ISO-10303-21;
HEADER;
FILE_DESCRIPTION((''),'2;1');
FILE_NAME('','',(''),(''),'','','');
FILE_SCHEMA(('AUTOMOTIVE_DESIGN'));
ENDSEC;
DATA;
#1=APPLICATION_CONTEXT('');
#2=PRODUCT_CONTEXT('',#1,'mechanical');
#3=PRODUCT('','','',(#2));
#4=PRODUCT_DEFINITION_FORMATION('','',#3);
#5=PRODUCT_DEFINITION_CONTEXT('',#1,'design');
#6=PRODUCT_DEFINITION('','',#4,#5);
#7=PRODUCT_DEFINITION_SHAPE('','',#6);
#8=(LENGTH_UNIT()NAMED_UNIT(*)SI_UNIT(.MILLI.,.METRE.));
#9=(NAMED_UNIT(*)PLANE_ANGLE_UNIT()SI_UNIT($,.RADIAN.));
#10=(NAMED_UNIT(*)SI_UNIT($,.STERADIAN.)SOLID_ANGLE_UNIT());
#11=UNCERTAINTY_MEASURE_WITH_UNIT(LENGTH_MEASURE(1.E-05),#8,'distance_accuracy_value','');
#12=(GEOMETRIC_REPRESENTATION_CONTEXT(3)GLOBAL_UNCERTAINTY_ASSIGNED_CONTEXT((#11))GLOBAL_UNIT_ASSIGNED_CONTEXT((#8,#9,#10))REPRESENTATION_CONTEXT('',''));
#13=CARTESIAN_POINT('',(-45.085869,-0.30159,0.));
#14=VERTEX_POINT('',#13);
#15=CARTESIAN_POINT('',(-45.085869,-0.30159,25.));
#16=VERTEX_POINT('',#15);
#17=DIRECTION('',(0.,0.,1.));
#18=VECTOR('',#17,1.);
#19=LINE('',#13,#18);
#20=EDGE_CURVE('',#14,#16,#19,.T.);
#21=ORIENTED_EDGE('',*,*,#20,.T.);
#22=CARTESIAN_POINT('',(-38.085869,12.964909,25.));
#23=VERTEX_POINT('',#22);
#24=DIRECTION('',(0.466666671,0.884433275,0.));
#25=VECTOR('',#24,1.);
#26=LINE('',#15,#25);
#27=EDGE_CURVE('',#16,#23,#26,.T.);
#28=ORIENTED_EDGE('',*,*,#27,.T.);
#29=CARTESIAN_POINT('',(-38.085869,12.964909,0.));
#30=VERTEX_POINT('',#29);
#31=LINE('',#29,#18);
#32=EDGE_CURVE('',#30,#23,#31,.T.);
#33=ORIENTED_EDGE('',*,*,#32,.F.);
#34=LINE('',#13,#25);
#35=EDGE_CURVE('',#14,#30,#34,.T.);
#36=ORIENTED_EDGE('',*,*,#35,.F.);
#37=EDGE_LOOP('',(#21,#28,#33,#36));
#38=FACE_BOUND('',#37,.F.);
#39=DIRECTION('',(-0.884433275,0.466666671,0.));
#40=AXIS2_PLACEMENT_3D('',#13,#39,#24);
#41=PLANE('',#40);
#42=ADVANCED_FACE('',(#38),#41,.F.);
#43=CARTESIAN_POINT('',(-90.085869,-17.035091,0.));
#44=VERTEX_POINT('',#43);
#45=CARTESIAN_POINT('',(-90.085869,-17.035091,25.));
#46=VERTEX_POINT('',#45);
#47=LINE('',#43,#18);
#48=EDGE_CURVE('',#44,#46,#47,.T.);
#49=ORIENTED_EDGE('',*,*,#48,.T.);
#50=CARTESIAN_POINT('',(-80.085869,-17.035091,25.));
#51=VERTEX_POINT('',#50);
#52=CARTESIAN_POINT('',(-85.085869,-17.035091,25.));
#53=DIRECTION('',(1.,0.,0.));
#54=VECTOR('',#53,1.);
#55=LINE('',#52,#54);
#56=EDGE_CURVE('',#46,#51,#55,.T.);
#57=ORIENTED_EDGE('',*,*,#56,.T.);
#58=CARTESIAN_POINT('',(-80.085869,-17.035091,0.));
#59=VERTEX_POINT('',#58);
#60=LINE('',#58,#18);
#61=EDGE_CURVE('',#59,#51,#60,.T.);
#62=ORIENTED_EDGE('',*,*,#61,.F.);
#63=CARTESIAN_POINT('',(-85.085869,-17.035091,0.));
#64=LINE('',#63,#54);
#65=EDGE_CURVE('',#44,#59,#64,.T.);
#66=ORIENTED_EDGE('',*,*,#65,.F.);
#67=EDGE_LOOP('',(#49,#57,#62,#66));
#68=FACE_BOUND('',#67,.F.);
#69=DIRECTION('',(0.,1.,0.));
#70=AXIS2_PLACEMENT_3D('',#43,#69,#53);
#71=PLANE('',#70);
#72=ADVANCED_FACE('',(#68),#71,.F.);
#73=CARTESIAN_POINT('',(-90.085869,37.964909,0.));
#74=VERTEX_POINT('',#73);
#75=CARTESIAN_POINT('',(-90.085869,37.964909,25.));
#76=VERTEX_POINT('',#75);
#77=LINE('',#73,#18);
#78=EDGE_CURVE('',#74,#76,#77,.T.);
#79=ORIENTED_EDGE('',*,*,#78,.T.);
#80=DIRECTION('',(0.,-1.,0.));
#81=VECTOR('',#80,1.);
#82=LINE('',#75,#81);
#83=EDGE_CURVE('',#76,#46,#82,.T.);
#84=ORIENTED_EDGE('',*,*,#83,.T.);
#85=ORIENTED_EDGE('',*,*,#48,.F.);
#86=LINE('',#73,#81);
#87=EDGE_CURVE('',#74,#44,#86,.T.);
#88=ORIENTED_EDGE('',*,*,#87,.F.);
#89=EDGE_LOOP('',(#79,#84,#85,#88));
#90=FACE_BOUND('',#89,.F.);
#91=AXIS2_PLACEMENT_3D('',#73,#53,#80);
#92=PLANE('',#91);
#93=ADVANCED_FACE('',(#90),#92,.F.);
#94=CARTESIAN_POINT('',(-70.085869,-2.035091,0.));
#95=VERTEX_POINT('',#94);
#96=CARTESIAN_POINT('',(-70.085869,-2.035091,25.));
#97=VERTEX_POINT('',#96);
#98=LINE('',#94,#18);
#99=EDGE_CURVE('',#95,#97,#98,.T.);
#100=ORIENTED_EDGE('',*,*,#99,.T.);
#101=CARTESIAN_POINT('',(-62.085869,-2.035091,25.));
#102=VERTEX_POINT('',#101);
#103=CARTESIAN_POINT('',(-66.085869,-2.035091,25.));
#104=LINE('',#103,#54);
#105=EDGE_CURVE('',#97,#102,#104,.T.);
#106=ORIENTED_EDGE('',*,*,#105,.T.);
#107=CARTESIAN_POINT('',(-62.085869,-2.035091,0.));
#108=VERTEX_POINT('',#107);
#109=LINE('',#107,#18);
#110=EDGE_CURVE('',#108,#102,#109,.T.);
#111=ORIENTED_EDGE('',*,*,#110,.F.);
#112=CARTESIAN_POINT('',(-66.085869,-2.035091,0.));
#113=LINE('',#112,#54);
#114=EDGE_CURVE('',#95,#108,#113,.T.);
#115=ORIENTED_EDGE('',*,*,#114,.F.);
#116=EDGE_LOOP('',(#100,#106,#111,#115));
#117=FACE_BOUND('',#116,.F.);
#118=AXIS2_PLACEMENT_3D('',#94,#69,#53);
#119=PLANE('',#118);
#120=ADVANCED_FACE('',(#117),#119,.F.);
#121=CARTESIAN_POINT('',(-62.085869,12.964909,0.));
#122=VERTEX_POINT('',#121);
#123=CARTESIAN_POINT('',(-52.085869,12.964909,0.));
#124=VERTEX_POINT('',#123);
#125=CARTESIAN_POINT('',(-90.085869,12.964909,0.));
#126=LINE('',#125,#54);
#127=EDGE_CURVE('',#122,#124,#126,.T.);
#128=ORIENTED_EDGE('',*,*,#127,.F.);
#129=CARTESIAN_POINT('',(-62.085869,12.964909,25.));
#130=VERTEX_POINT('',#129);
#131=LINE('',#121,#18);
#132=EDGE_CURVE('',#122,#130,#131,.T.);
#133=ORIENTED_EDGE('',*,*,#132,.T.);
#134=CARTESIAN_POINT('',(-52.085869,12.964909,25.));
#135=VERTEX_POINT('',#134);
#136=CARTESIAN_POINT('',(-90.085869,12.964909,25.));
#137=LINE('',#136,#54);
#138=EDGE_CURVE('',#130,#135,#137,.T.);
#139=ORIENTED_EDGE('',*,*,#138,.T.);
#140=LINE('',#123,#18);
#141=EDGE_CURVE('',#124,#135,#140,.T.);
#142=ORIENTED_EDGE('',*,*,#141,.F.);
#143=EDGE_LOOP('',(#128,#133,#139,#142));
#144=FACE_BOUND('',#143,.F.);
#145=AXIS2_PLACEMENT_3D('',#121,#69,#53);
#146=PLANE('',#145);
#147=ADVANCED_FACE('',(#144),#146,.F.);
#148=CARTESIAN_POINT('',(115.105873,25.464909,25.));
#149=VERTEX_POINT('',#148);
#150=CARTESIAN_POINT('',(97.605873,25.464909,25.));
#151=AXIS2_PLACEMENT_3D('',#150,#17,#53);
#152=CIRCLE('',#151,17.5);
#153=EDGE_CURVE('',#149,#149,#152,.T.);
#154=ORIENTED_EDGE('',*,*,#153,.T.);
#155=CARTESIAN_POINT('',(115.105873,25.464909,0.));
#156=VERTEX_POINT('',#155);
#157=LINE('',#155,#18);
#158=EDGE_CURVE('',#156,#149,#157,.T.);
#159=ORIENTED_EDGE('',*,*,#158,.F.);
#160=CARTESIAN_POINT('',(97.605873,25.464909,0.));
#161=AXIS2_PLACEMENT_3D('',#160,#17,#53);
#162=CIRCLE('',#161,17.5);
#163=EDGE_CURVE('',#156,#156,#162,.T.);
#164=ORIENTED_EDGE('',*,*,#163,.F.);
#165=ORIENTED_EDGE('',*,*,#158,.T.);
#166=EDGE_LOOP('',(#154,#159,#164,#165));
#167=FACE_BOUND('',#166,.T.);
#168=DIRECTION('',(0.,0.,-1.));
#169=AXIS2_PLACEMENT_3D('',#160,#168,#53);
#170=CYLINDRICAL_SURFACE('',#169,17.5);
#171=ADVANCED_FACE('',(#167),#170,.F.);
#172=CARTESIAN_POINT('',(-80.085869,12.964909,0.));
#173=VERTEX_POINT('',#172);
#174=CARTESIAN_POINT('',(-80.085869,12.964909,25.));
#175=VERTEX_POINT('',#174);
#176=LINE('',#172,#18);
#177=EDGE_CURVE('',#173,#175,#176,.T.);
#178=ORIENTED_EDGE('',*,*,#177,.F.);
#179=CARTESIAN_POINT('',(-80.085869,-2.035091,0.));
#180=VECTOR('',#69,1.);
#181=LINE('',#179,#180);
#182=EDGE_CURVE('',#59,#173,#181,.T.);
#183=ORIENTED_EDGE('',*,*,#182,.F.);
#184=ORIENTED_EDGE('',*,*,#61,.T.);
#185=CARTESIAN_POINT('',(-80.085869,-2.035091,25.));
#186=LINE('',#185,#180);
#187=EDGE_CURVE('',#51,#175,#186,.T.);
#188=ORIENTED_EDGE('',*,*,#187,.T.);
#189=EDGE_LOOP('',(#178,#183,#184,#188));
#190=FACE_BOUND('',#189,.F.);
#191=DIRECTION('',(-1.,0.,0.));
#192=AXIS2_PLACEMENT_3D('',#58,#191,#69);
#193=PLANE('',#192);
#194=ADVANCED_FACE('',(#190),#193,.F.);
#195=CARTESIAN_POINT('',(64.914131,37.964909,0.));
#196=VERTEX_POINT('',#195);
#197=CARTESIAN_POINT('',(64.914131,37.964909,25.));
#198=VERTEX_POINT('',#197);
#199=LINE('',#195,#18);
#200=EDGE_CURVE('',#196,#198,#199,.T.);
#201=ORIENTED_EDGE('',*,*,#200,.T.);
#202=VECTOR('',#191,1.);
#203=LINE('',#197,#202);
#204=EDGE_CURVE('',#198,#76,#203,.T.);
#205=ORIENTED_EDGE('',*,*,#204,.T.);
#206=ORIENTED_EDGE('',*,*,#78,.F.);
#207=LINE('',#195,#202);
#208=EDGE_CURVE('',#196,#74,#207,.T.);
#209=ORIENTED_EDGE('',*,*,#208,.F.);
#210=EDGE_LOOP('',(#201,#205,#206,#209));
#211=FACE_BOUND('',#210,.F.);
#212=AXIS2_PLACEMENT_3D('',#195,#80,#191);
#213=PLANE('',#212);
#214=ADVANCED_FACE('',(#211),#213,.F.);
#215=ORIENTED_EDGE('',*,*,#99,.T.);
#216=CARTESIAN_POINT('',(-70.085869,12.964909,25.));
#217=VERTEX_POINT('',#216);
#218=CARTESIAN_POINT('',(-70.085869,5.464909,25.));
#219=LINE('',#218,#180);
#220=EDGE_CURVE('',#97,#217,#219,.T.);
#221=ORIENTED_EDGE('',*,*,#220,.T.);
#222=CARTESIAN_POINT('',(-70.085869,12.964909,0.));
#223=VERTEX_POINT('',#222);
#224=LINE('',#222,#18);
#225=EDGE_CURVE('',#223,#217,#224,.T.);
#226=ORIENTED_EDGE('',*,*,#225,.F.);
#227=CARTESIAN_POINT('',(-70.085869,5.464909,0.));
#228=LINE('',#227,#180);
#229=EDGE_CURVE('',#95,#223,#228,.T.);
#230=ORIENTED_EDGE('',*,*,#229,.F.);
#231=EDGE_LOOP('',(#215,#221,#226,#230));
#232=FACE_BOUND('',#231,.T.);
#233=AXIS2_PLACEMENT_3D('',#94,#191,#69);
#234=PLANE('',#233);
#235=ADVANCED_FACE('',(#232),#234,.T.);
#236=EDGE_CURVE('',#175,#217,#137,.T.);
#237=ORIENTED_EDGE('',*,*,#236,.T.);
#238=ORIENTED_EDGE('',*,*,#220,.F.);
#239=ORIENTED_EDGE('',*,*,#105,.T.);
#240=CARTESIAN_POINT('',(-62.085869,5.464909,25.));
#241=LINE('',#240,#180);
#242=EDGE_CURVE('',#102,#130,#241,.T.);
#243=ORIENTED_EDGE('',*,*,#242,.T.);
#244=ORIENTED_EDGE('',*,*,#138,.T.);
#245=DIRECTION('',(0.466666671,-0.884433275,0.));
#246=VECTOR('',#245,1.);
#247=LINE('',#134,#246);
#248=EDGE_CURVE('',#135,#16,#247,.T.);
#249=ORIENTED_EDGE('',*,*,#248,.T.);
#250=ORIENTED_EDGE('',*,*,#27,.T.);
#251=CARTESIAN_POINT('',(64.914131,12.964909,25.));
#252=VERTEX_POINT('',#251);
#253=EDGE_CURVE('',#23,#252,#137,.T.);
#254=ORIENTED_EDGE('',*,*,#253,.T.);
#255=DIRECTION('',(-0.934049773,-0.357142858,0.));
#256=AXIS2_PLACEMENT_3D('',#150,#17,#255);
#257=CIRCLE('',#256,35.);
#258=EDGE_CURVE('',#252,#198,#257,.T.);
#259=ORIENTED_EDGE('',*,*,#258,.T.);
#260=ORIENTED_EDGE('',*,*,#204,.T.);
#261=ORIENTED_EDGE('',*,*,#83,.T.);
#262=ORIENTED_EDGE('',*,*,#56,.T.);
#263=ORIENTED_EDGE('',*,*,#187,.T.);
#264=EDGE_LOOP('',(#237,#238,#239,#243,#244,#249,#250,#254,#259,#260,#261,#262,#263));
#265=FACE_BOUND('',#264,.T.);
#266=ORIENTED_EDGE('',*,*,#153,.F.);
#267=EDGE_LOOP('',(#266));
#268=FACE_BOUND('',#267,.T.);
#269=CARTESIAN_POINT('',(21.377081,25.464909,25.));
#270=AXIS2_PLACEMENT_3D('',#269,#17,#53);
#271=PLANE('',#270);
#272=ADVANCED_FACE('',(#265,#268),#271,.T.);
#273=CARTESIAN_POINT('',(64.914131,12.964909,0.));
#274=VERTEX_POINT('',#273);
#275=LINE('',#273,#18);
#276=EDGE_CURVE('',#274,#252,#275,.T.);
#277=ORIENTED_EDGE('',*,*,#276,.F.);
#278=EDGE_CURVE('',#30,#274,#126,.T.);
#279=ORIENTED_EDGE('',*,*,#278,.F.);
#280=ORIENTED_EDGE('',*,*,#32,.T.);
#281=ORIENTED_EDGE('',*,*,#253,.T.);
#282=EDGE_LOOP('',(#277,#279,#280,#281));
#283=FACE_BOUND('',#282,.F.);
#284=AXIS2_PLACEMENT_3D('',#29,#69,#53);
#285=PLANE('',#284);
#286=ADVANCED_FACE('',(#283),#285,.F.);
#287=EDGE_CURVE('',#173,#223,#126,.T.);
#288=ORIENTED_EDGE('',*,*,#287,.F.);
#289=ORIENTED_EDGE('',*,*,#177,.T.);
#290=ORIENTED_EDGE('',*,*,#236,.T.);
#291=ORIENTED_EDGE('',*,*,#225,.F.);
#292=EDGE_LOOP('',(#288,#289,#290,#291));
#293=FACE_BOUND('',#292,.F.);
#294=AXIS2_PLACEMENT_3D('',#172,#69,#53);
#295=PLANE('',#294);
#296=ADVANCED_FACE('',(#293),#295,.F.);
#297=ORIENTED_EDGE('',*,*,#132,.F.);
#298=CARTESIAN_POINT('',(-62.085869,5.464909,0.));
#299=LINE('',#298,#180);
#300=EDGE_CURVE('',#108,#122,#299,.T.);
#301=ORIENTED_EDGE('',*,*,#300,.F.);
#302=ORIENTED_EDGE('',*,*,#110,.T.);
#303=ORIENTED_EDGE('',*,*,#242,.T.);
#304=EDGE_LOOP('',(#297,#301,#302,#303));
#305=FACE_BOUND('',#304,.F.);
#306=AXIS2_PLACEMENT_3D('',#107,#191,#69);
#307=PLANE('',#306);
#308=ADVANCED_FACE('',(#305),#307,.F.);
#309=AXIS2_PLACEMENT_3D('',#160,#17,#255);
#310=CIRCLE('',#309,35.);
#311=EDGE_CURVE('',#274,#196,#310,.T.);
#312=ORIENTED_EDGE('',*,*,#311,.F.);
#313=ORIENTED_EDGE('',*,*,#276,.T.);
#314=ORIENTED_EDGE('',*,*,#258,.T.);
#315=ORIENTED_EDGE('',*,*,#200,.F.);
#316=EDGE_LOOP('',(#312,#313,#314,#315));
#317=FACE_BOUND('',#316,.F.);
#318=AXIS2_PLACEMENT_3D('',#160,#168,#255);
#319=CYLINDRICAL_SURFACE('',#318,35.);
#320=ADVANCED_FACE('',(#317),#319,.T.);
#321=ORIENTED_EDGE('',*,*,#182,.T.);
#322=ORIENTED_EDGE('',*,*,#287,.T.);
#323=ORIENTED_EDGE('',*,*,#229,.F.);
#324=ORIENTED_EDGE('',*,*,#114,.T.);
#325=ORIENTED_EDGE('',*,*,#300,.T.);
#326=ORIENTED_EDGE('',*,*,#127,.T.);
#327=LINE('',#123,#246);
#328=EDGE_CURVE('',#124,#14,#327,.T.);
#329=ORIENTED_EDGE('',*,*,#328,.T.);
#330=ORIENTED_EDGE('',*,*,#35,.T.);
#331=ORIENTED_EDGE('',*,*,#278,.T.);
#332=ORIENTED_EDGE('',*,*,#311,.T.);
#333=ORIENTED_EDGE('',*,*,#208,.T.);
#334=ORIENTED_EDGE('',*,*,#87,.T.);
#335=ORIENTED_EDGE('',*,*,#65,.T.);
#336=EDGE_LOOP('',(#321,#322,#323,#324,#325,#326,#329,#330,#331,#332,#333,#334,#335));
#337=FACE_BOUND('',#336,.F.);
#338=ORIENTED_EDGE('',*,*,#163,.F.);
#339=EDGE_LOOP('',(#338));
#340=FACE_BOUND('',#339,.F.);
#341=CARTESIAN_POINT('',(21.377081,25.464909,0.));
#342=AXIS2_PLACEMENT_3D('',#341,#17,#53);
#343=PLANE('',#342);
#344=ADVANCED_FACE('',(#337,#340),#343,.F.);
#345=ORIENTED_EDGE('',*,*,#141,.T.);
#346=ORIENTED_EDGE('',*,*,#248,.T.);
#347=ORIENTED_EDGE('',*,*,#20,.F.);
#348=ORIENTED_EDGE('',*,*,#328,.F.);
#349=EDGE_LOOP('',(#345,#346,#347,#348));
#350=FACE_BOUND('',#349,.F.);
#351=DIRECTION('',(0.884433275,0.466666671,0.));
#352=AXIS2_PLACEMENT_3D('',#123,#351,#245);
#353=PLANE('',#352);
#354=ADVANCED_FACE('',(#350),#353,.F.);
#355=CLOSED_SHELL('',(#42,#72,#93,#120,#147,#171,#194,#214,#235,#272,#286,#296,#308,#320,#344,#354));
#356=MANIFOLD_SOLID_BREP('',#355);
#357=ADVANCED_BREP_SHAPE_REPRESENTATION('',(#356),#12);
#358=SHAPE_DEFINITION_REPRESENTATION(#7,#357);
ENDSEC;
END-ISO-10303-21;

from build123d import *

# Parameters (mm, degrees)
F0_R     = 17.5
F0_W     = 10
F0_H     = 30
F0_W_2   = 8
F0_H_2   = 15
F1_DEPTH = 25


with BuildPart() as f1:
    # F0 (on Top) → F1 (new body)
    with BuildSketch(Plane.XY):
        with BuildLine():
            Line((64.914131, 37.964909), (-90.085869, 37.964909))
            Line((-90.085869, 37.964909), (-90.085869, 12.964909))
            Line((-90.085869, 12.964909), (-80.085869, 12.964909))
            Line((-80.085869, 12.964909), (-70.085869, 12.964909))
            Line((-70.085869, 12.964909), (-62.085869, 12.964909))
            Line((-62.085869, 12.964909), (-52.085869, 12.964909))
            Line((-52.085869, 12.964909), (-38.085869, 12.964909))
            Line((-38.085869, 12.964909), (64.914131, 12.964909))
            ThreePointArc((64.914131, 12.964909), (132.605873, 25.464909), (64.914131, 37.964909))
        make_face()
        with Locations((97.605873, 25.464909)):
            Circle(F0_R, mode=Mode.SUBTRACT)
        with Locations((-85.085869, -2.035091)):
            Rectangle(F0_W, F0_H)
        Polygon((-45.085869, -0.30159), (-38.085869, 12.964909), (-52.085869, 12.964909), align=None)
        with Locations((-66.085869, 5.464909)):
            Rectangle(F0_W_2, F0_H_2)
    extrude(amount=F1_DEPTH)


solid = f1.part
